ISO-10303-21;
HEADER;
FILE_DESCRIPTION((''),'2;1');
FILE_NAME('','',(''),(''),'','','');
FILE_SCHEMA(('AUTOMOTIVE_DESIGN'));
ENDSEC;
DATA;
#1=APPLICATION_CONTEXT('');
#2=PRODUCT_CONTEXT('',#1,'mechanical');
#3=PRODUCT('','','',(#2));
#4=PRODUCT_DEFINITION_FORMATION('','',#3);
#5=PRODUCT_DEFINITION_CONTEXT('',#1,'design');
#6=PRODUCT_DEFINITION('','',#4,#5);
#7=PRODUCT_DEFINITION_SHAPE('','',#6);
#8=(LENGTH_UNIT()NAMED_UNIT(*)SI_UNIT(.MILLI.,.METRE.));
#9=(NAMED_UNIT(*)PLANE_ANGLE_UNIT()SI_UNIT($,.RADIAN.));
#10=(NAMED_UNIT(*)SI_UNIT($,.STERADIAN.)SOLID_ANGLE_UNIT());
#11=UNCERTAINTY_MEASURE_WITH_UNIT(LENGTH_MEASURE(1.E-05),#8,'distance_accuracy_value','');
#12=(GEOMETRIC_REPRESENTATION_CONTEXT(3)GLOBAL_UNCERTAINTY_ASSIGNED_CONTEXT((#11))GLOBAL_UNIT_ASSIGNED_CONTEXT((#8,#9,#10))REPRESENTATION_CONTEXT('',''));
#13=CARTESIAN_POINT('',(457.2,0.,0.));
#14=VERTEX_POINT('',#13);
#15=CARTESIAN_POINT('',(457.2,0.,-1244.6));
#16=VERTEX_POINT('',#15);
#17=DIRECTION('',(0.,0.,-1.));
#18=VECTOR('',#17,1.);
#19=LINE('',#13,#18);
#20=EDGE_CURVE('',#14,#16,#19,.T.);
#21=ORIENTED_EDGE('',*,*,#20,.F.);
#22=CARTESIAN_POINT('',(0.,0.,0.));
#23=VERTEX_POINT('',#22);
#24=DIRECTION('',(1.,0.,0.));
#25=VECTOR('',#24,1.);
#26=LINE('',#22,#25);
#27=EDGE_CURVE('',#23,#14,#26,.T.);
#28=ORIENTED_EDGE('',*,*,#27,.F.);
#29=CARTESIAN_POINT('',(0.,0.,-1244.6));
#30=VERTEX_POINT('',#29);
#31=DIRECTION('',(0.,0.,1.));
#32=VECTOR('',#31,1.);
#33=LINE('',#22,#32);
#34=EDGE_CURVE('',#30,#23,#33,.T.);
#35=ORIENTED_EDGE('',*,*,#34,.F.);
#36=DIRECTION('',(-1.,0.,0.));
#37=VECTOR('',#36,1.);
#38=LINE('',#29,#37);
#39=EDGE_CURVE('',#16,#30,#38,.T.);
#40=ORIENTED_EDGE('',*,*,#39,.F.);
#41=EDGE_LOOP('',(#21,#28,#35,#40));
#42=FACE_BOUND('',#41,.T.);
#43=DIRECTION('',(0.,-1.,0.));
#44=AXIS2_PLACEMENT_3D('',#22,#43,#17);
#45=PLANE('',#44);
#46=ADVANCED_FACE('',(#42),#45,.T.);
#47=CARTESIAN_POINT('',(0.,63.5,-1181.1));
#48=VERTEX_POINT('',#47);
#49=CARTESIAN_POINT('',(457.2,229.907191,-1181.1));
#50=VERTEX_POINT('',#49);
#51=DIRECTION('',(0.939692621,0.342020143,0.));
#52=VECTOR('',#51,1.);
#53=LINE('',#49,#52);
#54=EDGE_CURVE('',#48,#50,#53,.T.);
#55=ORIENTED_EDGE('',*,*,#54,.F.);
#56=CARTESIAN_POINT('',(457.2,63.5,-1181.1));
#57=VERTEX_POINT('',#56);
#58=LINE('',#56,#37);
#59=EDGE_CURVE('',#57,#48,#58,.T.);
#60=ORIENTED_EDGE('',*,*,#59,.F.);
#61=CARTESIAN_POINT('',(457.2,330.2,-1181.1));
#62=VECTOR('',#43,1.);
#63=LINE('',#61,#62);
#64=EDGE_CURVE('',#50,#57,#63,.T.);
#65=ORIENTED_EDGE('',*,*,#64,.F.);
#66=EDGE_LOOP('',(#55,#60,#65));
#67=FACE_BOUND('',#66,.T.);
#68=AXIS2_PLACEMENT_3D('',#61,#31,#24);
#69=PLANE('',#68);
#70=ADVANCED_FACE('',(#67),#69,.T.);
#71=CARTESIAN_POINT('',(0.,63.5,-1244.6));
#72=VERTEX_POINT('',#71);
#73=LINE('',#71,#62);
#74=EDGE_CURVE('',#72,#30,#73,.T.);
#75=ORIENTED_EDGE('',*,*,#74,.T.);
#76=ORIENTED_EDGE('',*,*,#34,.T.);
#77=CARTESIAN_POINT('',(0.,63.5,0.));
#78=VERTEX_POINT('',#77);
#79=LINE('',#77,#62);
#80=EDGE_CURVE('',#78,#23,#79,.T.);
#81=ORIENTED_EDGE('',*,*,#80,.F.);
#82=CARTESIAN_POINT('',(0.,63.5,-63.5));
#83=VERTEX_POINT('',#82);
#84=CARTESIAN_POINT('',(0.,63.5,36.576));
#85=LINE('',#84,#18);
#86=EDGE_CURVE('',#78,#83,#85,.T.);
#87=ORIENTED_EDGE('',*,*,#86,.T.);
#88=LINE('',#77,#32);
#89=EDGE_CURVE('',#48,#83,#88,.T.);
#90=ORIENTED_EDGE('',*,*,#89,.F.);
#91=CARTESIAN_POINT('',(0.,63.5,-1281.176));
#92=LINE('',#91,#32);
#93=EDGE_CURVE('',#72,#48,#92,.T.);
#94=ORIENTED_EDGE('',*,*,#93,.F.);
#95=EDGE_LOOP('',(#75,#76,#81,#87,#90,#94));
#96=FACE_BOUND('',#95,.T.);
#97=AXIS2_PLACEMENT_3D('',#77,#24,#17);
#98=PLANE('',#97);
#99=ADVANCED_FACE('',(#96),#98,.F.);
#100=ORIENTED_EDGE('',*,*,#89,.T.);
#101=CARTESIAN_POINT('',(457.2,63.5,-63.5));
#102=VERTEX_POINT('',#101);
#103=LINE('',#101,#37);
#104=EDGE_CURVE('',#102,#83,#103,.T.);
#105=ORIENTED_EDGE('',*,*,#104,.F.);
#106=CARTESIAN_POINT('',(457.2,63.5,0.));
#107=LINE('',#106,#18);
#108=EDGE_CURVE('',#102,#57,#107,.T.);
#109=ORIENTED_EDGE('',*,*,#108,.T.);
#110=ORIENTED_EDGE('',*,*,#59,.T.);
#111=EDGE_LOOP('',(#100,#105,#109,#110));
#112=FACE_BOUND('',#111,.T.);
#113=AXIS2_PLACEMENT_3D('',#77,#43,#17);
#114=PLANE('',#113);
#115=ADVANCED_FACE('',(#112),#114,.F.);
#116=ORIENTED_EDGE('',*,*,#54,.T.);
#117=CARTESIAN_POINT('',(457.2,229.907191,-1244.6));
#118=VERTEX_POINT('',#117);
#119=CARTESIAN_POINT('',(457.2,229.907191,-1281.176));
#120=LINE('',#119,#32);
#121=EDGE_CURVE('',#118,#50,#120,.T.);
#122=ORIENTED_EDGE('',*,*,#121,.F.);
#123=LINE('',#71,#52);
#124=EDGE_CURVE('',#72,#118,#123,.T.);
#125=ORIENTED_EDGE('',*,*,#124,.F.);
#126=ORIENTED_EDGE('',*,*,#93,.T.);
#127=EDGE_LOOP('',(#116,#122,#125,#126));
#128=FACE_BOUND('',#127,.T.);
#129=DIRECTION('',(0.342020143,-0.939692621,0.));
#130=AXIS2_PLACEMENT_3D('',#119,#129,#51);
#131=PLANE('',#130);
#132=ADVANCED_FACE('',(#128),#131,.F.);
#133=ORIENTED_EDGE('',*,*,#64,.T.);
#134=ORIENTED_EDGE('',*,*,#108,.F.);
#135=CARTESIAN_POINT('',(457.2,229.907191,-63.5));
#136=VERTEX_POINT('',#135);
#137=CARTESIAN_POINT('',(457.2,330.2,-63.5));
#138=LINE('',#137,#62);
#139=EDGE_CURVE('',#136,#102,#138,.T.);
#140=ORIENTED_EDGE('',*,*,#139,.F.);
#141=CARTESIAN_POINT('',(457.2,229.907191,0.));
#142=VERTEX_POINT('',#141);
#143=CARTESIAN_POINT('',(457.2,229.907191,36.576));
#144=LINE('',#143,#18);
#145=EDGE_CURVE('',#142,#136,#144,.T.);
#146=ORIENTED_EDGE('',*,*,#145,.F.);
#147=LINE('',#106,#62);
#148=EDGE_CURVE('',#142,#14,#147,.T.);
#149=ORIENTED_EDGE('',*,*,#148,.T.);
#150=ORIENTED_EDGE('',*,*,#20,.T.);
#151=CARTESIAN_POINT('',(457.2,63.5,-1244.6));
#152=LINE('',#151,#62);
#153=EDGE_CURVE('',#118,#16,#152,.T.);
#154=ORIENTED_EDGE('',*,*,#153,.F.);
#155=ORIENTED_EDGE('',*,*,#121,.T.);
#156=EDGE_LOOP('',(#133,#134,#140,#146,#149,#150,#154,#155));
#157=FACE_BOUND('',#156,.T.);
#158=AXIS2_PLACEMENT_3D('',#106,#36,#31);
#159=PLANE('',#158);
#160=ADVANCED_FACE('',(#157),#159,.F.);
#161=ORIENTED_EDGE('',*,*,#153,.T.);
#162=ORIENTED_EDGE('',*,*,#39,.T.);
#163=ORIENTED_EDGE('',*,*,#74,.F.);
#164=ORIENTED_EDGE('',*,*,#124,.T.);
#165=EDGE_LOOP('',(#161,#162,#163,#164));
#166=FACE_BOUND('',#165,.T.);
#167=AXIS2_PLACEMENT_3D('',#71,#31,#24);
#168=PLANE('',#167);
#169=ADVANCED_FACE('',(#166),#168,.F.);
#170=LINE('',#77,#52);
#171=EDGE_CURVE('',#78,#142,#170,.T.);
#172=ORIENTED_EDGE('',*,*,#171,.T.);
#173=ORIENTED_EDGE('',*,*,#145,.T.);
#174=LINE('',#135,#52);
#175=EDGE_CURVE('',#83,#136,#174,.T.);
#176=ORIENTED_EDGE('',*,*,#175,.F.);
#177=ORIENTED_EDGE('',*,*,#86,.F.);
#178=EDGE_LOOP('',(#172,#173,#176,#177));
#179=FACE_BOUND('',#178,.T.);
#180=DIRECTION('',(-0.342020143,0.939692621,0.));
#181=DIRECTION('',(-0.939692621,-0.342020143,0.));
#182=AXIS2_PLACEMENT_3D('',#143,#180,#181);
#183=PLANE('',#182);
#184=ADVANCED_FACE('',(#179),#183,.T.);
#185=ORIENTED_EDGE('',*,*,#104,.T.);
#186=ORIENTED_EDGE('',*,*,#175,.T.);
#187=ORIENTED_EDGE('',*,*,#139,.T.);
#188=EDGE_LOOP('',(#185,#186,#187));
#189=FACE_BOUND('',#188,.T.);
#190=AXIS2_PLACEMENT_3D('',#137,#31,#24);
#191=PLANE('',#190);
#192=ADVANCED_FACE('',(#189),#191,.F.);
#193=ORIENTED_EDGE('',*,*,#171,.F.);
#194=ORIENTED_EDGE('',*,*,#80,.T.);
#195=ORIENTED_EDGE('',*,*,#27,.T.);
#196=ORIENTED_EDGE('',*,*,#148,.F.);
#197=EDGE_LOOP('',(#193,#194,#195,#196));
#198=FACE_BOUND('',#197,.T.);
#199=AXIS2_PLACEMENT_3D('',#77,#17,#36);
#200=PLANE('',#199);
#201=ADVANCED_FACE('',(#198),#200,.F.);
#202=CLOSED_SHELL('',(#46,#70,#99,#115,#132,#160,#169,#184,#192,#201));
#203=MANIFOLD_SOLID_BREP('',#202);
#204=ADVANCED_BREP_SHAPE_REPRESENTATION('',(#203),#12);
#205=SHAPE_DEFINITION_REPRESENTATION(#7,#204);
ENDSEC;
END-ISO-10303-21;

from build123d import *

# Parameters (mm, degrees)
SKETCH1_W           = 457.2
SKETCH1_H           = 1244.6
BOSS_EXTRUDE1_DEPTH = 63.5
SKETCH4_W           = 457.2
SKETCH4_H           = 63.5
BOSS_EXTRUDE2_DEPTH = 266.7
CUT_EXTRUDE7_DEPTH  = 100.076


with BuildPart() as part:
    # Sketch1 → Boss-Extrude1 (new body)
    with BuildSketch(Plane(origin=(0, 0, 0), x_dir=(1, 0, 0), z_dir=(0, 1, 0))):
        with Locations((228.6, 622.3)):
            Rectangle(SKETCH1_W, SKETCH1_H)
    extrude(amount=BOSS_EXTRUDE1_DEPTH)

    # Sketch4 → Boss-Extrude2 (add)
    with BuildSketch(Plane(origin=(0, 63.5, 0), x_dir=(1, 0, 0), z_dir=(0, 1, 0))):
        with Locations((228.6, 1212.85)):
            Rectangle(SKETCH4_W, SKETCH4_H)
    boss_extrude2 = extrude(amount=BOSS_EXTRUDE2_DEPTH)

    # Mirror7: Boss-Extrude2 across plane
    add(boss_extrude2.mirror(Plane(origin=(0, 0, -622.3), x_dir=(1, 0, 0), z_dir=(0, 0, -1))))

    # Sketch11 → Cut-Extrude7 (cut)
    with BuildSketch(Plane.XY.offset(-1181.1)):
        Polygon((0, 63.5), (0, 330.2), (457.2, 330.2), (457.2, 229.907191107), align=None)
    cut_extrude7 = extrude(amount=-CUT_EXTRUDE7_DEPTH, mode=Mode.SUBTRACT)

    # Mirror8: Cut-Extrude7 across plane
    add(cut_extrude7.mirror(Plane(origin=(0, 0, -622.3), x_dir=(1, 0, 0), z_dir=(0, 0, -1))), mode=Mode.SUBTRACT)


solid = part.part
